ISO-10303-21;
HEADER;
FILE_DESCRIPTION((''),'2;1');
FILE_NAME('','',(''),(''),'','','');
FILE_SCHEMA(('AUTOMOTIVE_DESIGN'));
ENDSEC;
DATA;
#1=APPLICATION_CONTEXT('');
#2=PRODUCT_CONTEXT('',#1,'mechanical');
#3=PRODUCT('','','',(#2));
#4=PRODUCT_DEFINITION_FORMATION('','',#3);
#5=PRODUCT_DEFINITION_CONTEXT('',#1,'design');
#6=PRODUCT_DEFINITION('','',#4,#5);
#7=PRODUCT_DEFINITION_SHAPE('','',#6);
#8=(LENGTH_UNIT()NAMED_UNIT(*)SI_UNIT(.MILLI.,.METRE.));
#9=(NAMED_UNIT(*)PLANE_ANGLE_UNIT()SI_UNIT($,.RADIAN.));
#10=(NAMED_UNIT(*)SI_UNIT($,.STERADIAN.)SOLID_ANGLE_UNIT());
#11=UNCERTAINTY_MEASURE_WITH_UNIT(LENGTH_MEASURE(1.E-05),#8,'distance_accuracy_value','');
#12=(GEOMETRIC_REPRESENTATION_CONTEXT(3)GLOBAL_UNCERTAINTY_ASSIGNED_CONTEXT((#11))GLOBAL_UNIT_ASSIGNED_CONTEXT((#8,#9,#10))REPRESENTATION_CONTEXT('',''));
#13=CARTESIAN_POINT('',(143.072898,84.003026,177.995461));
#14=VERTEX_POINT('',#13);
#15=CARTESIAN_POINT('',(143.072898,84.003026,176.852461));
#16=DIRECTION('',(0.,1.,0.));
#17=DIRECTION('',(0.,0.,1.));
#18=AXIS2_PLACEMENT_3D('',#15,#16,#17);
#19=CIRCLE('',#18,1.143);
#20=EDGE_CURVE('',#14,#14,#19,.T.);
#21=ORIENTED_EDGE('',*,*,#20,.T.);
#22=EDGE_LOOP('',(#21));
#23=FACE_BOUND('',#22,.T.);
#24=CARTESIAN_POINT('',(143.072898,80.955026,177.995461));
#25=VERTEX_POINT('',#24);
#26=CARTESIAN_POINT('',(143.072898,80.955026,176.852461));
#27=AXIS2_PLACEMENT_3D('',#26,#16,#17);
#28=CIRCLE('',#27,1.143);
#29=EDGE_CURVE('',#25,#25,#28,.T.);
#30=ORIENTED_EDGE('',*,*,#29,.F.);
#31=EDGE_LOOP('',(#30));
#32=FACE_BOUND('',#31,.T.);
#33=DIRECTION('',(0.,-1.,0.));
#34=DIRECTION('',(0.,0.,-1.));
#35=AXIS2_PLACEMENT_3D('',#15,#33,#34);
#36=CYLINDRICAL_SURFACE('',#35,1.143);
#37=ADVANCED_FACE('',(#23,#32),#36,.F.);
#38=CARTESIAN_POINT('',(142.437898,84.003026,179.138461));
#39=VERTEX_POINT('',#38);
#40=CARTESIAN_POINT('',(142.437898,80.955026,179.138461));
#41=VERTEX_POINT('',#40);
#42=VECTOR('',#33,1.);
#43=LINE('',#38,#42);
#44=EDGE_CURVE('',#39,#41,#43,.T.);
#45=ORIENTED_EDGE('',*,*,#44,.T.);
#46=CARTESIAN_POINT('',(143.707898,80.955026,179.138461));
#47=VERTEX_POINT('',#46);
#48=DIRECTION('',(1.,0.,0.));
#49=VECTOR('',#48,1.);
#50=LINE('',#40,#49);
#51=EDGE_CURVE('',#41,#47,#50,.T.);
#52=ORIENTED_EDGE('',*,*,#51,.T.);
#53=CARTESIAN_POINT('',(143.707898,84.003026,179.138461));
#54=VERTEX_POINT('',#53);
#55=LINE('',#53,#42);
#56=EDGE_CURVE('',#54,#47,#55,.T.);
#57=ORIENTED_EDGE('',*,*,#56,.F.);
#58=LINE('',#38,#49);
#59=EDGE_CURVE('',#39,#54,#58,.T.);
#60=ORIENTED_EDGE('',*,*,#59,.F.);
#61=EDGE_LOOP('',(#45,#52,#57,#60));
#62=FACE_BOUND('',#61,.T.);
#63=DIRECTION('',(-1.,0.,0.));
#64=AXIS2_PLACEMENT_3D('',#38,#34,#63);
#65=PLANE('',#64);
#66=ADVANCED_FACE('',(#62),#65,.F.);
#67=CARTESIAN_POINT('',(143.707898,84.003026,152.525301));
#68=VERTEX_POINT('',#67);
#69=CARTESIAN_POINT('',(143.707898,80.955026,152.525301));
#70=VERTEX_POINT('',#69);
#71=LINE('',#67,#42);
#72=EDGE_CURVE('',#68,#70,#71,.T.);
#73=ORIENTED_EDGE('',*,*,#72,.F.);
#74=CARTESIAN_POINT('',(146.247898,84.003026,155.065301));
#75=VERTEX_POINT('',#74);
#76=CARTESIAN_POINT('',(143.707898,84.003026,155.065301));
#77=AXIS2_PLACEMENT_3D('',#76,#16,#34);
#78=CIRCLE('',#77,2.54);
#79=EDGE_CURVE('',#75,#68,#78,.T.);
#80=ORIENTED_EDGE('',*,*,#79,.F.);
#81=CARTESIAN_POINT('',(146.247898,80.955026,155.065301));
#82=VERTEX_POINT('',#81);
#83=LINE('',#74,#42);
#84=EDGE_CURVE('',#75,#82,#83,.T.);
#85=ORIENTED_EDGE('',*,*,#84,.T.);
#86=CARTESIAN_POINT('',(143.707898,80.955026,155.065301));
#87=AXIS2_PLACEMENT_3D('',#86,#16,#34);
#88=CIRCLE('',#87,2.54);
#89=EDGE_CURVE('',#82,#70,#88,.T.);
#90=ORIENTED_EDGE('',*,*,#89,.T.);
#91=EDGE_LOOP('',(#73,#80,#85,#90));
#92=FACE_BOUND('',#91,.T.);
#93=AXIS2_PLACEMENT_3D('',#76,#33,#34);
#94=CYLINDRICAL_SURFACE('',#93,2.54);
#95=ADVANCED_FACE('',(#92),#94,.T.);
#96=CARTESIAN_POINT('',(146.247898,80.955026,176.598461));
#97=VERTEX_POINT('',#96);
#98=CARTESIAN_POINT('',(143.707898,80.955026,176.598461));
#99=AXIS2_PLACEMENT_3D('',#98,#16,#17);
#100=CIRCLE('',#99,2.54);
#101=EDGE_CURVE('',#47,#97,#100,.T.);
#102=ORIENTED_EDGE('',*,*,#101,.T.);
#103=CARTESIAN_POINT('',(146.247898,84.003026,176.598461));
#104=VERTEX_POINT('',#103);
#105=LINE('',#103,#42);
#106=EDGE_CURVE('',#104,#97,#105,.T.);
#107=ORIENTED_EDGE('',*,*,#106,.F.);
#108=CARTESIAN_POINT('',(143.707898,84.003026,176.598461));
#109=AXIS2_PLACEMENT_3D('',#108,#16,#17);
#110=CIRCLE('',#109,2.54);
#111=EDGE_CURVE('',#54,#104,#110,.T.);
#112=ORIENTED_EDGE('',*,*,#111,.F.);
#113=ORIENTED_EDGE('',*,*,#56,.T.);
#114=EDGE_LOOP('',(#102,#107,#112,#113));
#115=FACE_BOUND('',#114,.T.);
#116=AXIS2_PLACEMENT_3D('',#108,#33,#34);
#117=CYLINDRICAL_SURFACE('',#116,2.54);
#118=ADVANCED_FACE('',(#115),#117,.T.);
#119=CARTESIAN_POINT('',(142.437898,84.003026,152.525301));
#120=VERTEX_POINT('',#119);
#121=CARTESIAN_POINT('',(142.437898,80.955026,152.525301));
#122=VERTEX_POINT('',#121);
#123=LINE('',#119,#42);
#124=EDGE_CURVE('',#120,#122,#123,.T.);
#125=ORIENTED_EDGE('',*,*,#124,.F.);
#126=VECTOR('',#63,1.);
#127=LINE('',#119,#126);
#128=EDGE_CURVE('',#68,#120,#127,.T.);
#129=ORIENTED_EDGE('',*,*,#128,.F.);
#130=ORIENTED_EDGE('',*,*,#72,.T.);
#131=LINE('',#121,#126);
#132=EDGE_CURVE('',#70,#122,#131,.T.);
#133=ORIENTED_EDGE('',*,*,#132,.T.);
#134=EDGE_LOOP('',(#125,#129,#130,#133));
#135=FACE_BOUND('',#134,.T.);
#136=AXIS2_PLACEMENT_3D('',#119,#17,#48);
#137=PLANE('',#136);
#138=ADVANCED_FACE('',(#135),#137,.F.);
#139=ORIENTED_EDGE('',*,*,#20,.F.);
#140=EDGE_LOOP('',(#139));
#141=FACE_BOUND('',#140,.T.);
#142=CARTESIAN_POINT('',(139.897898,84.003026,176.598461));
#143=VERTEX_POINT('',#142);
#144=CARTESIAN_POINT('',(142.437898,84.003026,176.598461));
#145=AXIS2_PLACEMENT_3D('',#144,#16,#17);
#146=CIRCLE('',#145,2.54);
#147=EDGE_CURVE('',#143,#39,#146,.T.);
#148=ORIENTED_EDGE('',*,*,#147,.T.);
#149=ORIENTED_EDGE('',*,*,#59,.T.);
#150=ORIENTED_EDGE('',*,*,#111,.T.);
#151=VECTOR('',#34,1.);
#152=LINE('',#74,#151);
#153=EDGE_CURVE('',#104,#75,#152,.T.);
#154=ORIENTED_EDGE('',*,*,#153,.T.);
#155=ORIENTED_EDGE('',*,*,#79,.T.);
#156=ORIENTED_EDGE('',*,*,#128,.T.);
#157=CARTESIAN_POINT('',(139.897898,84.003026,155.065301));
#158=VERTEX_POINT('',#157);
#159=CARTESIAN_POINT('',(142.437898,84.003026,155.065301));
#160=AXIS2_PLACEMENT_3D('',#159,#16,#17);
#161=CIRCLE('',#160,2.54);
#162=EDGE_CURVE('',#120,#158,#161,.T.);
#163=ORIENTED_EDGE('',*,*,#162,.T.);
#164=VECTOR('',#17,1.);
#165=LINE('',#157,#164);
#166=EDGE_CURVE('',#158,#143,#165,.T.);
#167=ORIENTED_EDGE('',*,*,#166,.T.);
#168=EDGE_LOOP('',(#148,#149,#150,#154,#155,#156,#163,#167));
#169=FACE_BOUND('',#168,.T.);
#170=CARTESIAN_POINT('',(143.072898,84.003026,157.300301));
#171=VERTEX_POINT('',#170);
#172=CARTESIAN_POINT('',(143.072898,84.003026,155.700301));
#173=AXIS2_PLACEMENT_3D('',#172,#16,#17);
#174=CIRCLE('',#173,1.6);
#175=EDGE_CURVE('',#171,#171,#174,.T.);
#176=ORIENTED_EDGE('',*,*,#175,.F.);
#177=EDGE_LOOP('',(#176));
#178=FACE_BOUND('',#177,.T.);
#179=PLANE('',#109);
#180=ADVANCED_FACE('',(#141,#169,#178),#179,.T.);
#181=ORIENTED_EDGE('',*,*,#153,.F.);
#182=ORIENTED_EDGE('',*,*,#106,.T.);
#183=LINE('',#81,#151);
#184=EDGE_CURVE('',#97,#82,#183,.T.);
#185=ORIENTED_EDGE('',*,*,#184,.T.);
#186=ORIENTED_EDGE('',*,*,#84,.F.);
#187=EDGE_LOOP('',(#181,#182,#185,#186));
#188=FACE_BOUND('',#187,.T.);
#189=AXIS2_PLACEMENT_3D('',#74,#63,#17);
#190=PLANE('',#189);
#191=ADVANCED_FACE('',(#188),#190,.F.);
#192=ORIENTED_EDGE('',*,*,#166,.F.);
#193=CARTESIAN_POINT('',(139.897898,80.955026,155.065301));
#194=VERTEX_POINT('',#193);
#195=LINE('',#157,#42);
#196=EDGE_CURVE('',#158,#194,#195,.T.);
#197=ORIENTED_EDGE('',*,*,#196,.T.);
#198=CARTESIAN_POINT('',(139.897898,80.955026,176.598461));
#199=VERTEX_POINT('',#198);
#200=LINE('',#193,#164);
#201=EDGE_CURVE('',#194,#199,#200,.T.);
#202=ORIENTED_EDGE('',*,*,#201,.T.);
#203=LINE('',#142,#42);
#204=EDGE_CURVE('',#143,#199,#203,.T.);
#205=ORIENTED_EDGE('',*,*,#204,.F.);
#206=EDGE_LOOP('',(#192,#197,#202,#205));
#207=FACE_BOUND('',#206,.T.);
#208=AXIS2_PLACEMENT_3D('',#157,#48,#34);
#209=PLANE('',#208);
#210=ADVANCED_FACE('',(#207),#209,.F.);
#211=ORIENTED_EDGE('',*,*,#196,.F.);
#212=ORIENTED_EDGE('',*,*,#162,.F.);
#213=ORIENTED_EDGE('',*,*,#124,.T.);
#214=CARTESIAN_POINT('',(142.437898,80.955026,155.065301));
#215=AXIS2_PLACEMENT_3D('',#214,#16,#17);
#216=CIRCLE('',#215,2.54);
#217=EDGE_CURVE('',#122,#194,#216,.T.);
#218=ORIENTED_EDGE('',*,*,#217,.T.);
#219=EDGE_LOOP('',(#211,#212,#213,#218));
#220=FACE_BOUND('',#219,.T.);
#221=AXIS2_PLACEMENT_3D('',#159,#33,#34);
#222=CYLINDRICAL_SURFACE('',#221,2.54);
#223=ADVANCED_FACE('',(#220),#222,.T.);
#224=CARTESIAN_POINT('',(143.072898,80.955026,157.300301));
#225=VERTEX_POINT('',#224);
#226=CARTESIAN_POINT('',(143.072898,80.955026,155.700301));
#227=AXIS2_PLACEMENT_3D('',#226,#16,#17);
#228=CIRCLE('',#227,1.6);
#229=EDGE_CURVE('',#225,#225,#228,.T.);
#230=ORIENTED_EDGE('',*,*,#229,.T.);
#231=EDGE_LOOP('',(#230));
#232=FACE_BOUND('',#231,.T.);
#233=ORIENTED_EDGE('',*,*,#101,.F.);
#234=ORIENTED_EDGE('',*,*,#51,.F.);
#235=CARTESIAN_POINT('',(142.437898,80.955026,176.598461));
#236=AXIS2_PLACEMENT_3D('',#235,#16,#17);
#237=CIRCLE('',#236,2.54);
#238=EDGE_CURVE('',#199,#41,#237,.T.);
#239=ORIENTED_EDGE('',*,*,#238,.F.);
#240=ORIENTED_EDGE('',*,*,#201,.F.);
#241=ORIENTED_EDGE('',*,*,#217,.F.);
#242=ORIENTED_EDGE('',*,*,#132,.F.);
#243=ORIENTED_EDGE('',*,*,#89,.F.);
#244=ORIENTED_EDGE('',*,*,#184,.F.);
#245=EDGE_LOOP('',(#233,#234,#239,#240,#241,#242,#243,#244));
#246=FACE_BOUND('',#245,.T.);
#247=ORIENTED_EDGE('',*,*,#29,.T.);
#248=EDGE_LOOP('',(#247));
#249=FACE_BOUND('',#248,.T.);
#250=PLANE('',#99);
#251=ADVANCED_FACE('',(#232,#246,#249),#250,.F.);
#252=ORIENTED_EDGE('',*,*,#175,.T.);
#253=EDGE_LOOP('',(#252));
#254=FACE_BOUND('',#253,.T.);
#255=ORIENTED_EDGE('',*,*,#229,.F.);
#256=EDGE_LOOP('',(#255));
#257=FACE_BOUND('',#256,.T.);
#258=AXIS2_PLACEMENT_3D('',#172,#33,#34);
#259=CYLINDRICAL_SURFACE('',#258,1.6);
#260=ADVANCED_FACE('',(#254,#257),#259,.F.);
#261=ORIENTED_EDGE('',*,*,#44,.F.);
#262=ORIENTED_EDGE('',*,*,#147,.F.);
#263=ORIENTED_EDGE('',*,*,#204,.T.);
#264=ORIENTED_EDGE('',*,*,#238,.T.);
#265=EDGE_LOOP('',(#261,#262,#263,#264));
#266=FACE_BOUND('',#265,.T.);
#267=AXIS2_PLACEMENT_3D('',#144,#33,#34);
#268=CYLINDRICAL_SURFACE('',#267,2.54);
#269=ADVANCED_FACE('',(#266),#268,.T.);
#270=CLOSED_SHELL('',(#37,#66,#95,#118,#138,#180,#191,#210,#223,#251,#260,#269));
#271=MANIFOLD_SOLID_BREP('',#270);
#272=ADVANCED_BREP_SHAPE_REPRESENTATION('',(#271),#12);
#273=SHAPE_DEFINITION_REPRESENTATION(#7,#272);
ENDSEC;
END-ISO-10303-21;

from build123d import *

# Parameters (mm, degrees)
SKETCH1_R           = 1.6
SKETCH1_R_2         = 1.143
BOSS_EXTRUDE1_DEPTH = 3.048


with BuildPart() as part:
    # Sketch1 → Boss-Extrude1 (new body)
    with BuildSketch(Plane(origin=(0, 80.955025863, 0), x_dir=(1, 0, 0), z_dir=(0, 1, 0))):
        with BuildLine():
            Line((142.437898145, -152.525300586), (143.707898145, -152.525300586))
            ThreePointArc((143.707898145, -152.525300586), (145.503949369, -153.269249361), (146.247898145, -155.065300586))
            Line((146.247898145, -155.065300586), (146.247898145, -176.598461023))
            ThreePointArc((146.247898145, -176.598461023), (145.503949369, -178.394512247), (143.707898145, -179.138461023))
            Line((143.707898145, -179.138461023), (142.437898145, -179.138461023))
            ThreePointArc((142.437898145, -179.138461023), (140.641846921, -178.394512247), (139.897898145, -176.598461023))
            Line((139.897898145, -176.598461023), (139.897898145, -155.065300586))
            ThreePointArc((139.897898145, -155.065300586), (140.641846921, -153.269249361), (142.437898145, -152.525300586))
        make_face()
        with Locations((143.072898145, -155.700300586)):
            Circle(SKETCH1_R, mode=Mode.SUBTRACT)
        with Locations((143.072898145, -176.852461023)):
            Circle(SKETCH1_R_2, mode=Mode.SUBTRACT)
    extrude(amount=BOSS_EXTRUDE1_DEPTH)


solid = part.part
